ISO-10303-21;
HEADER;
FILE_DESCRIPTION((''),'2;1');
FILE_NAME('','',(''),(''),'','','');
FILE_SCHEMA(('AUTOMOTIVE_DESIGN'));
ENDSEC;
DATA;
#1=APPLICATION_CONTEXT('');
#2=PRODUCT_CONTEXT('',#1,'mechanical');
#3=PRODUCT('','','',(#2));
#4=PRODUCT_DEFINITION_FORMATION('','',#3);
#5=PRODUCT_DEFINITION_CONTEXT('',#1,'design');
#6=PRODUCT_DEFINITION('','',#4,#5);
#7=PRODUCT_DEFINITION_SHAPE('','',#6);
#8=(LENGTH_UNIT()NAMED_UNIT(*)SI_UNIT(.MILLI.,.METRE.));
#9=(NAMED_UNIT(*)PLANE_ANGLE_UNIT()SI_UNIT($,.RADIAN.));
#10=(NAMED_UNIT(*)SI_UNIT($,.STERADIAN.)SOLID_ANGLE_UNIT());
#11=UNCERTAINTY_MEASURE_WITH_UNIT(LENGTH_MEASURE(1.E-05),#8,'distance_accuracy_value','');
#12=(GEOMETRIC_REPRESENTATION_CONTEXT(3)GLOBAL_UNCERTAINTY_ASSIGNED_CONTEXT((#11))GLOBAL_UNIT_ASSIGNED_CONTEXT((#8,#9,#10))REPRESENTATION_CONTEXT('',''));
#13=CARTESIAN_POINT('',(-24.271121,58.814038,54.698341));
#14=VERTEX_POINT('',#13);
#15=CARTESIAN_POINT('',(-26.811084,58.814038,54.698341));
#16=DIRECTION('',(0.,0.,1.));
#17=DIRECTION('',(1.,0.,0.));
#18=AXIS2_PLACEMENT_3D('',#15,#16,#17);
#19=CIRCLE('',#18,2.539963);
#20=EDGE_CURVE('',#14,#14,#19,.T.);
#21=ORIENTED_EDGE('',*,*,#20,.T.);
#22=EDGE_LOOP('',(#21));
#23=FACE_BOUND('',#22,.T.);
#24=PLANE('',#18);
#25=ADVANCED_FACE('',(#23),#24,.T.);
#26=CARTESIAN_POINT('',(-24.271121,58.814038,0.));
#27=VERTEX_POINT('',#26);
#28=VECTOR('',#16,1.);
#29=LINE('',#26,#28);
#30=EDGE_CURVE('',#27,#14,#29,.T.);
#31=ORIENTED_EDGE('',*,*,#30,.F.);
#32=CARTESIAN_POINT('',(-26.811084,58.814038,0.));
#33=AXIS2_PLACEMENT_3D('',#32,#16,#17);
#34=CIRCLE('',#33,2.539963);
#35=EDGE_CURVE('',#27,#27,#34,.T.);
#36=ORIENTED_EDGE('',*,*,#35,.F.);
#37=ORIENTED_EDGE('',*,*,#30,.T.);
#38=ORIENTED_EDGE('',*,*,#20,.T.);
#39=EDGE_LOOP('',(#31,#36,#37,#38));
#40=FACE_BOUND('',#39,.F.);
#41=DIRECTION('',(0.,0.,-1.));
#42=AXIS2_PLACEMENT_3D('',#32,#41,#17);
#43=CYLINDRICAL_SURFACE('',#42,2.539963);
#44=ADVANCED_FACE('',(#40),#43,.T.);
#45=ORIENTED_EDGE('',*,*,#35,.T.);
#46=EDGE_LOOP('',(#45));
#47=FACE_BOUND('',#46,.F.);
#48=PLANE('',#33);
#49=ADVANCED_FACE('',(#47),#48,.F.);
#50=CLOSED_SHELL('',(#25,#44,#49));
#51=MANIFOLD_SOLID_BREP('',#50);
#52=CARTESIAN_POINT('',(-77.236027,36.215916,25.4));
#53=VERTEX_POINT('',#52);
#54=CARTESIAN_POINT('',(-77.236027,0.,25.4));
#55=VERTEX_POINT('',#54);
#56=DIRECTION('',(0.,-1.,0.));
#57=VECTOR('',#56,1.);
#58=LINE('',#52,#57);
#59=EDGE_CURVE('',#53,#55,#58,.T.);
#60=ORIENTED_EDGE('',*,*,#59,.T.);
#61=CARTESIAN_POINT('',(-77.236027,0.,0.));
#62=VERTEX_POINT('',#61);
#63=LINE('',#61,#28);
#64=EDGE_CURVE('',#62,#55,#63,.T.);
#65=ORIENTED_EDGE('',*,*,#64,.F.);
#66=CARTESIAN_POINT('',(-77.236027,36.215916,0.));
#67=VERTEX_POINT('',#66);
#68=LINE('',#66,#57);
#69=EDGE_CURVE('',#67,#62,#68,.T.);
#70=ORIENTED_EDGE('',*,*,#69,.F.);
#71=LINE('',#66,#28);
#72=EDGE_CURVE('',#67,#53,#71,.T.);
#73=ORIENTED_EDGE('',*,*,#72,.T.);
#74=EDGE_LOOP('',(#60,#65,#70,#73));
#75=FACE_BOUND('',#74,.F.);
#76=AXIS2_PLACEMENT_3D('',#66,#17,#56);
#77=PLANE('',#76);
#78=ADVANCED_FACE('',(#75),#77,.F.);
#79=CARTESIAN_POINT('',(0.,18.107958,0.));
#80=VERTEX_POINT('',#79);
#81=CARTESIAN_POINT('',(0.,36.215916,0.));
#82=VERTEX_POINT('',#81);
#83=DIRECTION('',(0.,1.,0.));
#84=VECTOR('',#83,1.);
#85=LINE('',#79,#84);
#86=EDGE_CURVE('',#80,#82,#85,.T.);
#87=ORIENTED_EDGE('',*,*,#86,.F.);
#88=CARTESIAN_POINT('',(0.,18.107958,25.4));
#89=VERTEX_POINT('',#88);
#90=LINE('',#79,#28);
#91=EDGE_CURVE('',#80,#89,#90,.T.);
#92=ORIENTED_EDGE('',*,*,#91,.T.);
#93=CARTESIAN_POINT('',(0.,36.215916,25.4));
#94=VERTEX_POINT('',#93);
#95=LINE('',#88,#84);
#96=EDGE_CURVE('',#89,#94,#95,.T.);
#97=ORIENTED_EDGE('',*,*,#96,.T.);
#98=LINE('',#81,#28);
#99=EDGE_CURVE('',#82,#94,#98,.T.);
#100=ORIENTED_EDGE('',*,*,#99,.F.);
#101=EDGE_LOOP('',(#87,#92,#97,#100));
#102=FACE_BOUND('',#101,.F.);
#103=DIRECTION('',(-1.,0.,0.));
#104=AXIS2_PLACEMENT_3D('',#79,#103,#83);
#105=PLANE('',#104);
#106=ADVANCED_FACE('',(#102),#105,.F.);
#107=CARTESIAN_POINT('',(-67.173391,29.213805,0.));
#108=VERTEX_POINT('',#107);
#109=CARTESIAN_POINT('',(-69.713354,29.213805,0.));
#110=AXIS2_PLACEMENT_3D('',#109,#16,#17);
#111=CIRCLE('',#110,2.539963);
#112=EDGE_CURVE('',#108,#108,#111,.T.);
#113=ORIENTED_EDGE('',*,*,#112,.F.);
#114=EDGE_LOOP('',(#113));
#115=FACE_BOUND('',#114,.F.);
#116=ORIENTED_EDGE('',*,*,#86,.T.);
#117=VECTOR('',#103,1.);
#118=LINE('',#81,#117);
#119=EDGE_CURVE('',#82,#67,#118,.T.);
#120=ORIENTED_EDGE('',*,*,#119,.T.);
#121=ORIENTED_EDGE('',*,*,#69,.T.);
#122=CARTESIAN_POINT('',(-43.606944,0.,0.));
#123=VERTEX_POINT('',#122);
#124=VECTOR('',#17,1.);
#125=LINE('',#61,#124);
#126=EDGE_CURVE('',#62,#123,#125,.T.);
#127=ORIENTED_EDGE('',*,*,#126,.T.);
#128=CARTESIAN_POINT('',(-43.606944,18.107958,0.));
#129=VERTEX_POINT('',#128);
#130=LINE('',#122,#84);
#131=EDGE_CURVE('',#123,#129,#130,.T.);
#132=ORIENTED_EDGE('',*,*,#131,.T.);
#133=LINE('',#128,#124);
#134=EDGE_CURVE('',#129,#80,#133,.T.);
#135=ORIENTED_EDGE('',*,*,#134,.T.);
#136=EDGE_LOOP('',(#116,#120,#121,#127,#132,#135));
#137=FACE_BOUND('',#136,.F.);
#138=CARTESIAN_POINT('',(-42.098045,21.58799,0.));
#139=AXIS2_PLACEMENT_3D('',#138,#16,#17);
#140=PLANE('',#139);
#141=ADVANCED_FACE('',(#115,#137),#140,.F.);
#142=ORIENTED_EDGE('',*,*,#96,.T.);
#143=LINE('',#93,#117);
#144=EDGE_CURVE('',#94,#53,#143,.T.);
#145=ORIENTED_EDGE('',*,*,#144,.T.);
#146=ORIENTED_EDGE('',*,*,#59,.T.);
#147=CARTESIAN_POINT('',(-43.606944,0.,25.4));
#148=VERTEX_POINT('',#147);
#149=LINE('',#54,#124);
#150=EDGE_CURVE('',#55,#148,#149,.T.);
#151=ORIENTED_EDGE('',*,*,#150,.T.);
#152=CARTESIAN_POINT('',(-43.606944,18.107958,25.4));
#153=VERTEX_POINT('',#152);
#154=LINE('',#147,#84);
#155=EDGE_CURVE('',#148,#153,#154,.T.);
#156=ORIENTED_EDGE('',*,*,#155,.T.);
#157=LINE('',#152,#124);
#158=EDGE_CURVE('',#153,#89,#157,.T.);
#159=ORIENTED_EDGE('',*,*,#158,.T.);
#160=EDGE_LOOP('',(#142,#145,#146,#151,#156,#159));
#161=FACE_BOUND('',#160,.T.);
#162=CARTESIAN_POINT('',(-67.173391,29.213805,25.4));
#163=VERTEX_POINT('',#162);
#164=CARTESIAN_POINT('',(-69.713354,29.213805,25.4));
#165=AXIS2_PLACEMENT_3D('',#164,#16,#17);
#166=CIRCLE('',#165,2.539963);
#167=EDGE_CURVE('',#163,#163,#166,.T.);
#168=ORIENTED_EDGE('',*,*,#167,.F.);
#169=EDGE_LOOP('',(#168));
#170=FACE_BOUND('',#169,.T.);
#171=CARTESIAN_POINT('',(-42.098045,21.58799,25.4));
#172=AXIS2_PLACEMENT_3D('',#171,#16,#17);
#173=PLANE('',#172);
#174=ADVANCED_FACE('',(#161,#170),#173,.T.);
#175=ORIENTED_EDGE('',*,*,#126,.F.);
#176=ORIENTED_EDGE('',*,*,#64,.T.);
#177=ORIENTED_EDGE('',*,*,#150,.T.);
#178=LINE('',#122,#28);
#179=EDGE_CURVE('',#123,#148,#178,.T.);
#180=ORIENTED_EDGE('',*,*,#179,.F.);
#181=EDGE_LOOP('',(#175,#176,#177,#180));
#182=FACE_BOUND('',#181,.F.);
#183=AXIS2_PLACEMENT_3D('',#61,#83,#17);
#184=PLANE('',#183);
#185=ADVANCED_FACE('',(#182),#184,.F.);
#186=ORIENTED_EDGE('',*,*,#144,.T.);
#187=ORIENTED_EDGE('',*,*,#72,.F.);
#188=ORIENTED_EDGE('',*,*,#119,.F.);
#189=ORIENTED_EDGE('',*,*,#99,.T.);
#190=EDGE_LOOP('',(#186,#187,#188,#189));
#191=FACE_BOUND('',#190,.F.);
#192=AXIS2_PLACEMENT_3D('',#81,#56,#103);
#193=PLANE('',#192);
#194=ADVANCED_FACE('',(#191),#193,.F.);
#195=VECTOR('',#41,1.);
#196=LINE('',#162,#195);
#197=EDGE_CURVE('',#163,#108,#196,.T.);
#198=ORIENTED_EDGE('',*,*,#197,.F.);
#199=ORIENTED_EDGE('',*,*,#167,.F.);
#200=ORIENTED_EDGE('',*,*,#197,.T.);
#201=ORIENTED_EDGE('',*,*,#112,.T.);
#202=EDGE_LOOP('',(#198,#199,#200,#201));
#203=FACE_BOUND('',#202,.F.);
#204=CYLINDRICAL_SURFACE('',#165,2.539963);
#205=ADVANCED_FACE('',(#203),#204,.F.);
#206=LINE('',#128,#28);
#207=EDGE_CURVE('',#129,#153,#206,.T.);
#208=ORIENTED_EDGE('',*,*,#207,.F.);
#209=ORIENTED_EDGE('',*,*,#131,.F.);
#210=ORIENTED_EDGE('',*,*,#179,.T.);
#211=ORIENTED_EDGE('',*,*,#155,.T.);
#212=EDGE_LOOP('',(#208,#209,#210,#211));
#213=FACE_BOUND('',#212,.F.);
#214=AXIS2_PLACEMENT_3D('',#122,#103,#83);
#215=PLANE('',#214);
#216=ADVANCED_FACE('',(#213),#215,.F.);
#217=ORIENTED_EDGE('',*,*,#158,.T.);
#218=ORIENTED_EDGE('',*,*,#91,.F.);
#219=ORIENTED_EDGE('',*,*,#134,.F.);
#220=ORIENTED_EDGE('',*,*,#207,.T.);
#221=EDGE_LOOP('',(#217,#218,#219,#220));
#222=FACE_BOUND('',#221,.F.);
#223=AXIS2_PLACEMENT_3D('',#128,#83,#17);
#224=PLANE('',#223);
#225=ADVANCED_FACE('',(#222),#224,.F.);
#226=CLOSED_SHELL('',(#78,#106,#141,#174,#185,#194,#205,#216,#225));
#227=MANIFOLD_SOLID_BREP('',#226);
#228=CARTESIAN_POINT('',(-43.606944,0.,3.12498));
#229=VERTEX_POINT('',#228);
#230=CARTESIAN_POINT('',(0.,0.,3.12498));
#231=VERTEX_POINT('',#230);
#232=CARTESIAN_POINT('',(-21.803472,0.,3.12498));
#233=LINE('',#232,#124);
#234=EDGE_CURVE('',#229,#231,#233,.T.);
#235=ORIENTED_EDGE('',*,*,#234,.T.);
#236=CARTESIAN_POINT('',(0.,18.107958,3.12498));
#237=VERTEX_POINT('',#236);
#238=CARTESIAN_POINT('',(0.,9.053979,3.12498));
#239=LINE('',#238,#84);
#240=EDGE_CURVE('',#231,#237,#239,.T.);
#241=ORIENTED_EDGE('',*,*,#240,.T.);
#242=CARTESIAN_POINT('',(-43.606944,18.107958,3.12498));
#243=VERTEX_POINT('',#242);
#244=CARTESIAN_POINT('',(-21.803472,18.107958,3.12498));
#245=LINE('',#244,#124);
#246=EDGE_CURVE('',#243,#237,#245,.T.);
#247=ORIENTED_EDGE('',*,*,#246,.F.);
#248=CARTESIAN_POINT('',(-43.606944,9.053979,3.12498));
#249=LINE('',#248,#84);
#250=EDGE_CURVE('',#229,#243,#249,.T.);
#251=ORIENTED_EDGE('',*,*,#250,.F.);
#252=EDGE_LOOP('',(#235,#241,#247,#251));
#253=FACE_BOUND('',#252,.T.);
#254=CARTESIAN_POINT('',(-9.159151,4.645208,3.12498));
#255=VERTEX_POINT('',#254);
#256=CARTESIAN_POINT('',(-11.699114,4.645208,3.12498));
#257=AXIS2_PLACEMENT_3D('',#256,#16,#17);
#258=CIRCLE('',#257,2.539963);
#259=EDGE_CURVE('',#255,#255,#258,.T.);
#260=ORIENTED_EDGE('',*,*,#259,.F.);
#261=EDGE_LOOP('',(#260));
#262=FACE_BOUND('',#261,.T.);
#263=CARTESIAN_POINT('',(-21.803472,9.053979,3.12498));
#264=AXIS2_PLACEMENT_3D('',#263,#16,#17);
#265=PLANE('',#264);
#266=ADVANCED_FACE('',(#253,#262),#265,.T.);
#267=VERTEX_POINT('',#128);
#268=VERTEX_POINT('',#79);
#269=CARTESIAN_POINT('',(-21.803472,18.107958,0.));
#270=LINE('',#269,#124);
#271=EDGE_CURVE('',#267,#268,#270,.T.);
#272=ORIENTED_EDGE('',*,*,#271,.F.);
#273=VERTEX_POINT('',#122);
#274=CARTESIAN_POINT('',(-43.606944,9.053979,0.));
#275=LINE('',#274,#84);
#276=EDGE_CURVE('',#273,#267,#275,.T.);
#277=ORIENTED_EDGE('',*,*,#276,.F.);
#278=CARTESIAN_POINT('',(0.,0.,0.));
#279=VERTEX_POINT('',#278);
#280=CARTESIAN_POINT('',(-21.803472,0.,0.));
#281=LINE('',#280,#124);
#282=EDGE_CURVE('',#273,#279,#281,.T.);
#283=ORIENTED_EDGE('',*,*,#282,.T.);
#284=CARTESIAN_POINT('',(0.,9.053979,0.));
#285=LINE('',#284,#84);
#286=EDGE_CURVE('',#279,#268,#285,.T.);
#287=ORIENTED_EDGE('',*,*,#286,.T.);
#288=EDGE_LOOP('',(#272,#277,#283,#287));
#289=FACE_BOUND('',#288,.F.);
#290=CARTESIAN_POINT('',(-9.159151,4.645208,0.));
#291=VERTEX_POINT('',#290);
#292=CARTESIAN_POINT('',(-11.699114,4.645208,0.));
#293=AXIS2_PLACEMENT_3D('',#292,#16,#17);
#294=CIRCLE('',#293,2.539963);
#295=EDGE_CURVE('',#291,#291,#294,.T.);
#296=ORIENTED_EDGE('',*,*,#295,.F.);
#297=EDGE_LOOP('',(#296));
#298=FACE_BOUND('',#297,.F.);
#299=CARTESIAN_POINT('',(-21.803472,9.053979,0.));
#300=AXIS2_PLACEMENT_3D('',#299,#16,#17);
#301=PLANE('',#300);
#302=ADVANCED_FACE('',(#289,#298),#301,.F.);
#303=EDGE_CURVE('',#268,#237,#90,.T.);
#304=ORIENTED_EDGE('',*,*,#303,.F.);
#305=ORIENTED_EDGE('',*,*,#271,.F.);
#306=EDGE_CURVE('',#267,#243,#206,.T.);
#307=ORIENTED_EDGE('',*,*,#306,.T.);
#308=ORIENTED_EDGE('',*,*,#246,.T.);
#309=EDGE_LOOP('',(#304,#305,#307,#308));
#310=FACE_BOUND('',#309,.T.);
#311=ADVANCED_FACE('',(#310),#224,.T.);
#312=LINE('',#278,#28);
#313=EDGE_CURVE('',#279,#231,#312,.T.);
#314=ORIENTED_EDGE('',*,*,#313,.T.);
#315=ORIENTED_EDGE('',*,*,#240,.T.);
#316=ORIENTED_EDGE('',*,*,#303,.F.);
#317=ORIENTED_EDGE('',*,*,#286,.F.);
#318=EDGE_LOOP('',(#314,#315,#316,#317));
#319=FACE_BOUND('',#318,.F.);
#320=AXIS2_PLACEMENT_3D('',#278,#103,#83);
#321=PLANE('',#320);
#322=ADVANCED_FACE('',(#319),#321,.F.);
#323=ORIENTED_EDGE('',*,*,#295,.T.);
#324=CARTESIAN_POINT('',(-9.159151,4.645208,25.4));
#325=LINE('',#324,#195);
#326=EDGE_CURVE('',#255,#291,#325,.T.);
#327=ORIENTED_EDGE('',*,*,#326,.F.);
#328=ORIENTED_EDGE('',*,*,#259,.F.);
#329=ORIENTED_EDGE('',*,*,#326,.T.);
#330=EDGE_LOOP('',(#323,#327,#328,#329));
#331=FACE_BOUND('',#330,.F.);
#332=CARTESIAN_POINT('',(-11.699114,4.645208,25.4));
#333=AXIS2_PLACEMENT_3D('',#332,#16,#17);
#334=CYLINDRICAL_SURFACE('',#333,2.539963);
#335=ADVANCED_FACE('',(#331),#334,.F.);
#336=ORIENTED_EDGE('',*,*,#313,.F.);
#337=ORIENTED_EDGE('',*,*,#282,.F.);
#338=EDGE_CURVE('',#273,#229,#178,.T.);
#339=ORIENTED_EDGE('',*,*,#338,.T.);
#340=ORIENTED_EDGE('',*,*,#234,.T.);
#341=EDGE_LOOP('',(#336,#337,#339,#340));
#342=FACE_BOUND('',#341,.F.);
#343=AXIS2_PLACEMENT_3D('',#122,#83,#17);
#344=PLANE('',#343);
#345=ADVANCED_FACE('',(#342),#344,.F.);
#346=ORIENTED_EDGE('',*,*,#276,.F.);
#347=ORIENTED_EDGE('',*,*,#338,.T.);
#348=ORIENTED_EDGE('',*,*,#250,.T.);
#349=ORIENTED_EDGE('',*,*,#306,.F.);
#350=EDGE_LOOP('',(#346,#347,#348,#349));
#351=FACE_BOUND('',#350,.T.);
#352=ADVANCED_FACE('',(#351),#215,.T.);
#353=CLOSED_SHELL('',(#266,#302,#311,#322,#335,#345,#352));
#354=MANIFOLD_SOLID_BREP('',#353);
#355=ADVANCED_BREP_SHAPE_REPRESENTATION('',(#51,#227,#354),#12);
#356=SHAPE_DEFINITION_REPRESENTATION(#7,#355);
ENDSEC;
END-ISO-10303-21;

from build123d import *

# Parameters (mm, degrees)
F1_DEPTH = 25.4
F0_W     = 43.606944
F0_H     = 18.107958
F2_DEPTH = 3.12498
F5_R     = 2.539963
F6_DEPTH = 54.698341
F4_R     = 2.539963
F7_DEPTH = 47.644243
F3_R     = 2.539963
F8_DEPTH = 52.474499


with BuildPart() as f1:
    # F0 (on Top) → F1 (new body)
    with BuildSketch(Plane.XY):
        Polygon((-77.236027, 0), (-43.606944, 0), (-43.606944, 18.107958), (0, 18.107958), (0, 36.215916), (-77.236027, 36.215916), align=None)
    extrude(amount=F1_DEPTH)

    # F3 (on face) → F8 (cut)
    with BuildSketch(Plane.XY.offset(25.4)):
        with Locations((-69.713354, 29.213805)):
            Circle(F3_R)
    extrude(amount=-F8_DEPTH, mode=Mode.SUBTRACT)


with BuildPart() as f2:
    # F0 (on Top) → F2 (new body)
    with BuildSketch(Plane.XY):
        with Locations((-21.803472, 9.053979)):
            Rectangle(F0_W, F0_H)
    extrude(amount=F2_DEPTH)

    # F4 (on face) → F7 (cut)
    with BuildSketch(Plane.XY.offset(25.4)):
        with Locations((-11.699114, 4.645208)):
            Circle(F4_R)
    extrude(amount=-F7_DEPTH, mode=Mode.SUBTRACT)


with BuildPart() as f6:
    # F5 (on Top) → F6 (new body)
    with BuildSketch(Plane.XY):
        with Locations((-26.811084, 58.814038)):
            Circle(F5_R)
    extrude(amount=F6_DEPTH)


solid = Compound([f1.part, f2.part, f6.part])
